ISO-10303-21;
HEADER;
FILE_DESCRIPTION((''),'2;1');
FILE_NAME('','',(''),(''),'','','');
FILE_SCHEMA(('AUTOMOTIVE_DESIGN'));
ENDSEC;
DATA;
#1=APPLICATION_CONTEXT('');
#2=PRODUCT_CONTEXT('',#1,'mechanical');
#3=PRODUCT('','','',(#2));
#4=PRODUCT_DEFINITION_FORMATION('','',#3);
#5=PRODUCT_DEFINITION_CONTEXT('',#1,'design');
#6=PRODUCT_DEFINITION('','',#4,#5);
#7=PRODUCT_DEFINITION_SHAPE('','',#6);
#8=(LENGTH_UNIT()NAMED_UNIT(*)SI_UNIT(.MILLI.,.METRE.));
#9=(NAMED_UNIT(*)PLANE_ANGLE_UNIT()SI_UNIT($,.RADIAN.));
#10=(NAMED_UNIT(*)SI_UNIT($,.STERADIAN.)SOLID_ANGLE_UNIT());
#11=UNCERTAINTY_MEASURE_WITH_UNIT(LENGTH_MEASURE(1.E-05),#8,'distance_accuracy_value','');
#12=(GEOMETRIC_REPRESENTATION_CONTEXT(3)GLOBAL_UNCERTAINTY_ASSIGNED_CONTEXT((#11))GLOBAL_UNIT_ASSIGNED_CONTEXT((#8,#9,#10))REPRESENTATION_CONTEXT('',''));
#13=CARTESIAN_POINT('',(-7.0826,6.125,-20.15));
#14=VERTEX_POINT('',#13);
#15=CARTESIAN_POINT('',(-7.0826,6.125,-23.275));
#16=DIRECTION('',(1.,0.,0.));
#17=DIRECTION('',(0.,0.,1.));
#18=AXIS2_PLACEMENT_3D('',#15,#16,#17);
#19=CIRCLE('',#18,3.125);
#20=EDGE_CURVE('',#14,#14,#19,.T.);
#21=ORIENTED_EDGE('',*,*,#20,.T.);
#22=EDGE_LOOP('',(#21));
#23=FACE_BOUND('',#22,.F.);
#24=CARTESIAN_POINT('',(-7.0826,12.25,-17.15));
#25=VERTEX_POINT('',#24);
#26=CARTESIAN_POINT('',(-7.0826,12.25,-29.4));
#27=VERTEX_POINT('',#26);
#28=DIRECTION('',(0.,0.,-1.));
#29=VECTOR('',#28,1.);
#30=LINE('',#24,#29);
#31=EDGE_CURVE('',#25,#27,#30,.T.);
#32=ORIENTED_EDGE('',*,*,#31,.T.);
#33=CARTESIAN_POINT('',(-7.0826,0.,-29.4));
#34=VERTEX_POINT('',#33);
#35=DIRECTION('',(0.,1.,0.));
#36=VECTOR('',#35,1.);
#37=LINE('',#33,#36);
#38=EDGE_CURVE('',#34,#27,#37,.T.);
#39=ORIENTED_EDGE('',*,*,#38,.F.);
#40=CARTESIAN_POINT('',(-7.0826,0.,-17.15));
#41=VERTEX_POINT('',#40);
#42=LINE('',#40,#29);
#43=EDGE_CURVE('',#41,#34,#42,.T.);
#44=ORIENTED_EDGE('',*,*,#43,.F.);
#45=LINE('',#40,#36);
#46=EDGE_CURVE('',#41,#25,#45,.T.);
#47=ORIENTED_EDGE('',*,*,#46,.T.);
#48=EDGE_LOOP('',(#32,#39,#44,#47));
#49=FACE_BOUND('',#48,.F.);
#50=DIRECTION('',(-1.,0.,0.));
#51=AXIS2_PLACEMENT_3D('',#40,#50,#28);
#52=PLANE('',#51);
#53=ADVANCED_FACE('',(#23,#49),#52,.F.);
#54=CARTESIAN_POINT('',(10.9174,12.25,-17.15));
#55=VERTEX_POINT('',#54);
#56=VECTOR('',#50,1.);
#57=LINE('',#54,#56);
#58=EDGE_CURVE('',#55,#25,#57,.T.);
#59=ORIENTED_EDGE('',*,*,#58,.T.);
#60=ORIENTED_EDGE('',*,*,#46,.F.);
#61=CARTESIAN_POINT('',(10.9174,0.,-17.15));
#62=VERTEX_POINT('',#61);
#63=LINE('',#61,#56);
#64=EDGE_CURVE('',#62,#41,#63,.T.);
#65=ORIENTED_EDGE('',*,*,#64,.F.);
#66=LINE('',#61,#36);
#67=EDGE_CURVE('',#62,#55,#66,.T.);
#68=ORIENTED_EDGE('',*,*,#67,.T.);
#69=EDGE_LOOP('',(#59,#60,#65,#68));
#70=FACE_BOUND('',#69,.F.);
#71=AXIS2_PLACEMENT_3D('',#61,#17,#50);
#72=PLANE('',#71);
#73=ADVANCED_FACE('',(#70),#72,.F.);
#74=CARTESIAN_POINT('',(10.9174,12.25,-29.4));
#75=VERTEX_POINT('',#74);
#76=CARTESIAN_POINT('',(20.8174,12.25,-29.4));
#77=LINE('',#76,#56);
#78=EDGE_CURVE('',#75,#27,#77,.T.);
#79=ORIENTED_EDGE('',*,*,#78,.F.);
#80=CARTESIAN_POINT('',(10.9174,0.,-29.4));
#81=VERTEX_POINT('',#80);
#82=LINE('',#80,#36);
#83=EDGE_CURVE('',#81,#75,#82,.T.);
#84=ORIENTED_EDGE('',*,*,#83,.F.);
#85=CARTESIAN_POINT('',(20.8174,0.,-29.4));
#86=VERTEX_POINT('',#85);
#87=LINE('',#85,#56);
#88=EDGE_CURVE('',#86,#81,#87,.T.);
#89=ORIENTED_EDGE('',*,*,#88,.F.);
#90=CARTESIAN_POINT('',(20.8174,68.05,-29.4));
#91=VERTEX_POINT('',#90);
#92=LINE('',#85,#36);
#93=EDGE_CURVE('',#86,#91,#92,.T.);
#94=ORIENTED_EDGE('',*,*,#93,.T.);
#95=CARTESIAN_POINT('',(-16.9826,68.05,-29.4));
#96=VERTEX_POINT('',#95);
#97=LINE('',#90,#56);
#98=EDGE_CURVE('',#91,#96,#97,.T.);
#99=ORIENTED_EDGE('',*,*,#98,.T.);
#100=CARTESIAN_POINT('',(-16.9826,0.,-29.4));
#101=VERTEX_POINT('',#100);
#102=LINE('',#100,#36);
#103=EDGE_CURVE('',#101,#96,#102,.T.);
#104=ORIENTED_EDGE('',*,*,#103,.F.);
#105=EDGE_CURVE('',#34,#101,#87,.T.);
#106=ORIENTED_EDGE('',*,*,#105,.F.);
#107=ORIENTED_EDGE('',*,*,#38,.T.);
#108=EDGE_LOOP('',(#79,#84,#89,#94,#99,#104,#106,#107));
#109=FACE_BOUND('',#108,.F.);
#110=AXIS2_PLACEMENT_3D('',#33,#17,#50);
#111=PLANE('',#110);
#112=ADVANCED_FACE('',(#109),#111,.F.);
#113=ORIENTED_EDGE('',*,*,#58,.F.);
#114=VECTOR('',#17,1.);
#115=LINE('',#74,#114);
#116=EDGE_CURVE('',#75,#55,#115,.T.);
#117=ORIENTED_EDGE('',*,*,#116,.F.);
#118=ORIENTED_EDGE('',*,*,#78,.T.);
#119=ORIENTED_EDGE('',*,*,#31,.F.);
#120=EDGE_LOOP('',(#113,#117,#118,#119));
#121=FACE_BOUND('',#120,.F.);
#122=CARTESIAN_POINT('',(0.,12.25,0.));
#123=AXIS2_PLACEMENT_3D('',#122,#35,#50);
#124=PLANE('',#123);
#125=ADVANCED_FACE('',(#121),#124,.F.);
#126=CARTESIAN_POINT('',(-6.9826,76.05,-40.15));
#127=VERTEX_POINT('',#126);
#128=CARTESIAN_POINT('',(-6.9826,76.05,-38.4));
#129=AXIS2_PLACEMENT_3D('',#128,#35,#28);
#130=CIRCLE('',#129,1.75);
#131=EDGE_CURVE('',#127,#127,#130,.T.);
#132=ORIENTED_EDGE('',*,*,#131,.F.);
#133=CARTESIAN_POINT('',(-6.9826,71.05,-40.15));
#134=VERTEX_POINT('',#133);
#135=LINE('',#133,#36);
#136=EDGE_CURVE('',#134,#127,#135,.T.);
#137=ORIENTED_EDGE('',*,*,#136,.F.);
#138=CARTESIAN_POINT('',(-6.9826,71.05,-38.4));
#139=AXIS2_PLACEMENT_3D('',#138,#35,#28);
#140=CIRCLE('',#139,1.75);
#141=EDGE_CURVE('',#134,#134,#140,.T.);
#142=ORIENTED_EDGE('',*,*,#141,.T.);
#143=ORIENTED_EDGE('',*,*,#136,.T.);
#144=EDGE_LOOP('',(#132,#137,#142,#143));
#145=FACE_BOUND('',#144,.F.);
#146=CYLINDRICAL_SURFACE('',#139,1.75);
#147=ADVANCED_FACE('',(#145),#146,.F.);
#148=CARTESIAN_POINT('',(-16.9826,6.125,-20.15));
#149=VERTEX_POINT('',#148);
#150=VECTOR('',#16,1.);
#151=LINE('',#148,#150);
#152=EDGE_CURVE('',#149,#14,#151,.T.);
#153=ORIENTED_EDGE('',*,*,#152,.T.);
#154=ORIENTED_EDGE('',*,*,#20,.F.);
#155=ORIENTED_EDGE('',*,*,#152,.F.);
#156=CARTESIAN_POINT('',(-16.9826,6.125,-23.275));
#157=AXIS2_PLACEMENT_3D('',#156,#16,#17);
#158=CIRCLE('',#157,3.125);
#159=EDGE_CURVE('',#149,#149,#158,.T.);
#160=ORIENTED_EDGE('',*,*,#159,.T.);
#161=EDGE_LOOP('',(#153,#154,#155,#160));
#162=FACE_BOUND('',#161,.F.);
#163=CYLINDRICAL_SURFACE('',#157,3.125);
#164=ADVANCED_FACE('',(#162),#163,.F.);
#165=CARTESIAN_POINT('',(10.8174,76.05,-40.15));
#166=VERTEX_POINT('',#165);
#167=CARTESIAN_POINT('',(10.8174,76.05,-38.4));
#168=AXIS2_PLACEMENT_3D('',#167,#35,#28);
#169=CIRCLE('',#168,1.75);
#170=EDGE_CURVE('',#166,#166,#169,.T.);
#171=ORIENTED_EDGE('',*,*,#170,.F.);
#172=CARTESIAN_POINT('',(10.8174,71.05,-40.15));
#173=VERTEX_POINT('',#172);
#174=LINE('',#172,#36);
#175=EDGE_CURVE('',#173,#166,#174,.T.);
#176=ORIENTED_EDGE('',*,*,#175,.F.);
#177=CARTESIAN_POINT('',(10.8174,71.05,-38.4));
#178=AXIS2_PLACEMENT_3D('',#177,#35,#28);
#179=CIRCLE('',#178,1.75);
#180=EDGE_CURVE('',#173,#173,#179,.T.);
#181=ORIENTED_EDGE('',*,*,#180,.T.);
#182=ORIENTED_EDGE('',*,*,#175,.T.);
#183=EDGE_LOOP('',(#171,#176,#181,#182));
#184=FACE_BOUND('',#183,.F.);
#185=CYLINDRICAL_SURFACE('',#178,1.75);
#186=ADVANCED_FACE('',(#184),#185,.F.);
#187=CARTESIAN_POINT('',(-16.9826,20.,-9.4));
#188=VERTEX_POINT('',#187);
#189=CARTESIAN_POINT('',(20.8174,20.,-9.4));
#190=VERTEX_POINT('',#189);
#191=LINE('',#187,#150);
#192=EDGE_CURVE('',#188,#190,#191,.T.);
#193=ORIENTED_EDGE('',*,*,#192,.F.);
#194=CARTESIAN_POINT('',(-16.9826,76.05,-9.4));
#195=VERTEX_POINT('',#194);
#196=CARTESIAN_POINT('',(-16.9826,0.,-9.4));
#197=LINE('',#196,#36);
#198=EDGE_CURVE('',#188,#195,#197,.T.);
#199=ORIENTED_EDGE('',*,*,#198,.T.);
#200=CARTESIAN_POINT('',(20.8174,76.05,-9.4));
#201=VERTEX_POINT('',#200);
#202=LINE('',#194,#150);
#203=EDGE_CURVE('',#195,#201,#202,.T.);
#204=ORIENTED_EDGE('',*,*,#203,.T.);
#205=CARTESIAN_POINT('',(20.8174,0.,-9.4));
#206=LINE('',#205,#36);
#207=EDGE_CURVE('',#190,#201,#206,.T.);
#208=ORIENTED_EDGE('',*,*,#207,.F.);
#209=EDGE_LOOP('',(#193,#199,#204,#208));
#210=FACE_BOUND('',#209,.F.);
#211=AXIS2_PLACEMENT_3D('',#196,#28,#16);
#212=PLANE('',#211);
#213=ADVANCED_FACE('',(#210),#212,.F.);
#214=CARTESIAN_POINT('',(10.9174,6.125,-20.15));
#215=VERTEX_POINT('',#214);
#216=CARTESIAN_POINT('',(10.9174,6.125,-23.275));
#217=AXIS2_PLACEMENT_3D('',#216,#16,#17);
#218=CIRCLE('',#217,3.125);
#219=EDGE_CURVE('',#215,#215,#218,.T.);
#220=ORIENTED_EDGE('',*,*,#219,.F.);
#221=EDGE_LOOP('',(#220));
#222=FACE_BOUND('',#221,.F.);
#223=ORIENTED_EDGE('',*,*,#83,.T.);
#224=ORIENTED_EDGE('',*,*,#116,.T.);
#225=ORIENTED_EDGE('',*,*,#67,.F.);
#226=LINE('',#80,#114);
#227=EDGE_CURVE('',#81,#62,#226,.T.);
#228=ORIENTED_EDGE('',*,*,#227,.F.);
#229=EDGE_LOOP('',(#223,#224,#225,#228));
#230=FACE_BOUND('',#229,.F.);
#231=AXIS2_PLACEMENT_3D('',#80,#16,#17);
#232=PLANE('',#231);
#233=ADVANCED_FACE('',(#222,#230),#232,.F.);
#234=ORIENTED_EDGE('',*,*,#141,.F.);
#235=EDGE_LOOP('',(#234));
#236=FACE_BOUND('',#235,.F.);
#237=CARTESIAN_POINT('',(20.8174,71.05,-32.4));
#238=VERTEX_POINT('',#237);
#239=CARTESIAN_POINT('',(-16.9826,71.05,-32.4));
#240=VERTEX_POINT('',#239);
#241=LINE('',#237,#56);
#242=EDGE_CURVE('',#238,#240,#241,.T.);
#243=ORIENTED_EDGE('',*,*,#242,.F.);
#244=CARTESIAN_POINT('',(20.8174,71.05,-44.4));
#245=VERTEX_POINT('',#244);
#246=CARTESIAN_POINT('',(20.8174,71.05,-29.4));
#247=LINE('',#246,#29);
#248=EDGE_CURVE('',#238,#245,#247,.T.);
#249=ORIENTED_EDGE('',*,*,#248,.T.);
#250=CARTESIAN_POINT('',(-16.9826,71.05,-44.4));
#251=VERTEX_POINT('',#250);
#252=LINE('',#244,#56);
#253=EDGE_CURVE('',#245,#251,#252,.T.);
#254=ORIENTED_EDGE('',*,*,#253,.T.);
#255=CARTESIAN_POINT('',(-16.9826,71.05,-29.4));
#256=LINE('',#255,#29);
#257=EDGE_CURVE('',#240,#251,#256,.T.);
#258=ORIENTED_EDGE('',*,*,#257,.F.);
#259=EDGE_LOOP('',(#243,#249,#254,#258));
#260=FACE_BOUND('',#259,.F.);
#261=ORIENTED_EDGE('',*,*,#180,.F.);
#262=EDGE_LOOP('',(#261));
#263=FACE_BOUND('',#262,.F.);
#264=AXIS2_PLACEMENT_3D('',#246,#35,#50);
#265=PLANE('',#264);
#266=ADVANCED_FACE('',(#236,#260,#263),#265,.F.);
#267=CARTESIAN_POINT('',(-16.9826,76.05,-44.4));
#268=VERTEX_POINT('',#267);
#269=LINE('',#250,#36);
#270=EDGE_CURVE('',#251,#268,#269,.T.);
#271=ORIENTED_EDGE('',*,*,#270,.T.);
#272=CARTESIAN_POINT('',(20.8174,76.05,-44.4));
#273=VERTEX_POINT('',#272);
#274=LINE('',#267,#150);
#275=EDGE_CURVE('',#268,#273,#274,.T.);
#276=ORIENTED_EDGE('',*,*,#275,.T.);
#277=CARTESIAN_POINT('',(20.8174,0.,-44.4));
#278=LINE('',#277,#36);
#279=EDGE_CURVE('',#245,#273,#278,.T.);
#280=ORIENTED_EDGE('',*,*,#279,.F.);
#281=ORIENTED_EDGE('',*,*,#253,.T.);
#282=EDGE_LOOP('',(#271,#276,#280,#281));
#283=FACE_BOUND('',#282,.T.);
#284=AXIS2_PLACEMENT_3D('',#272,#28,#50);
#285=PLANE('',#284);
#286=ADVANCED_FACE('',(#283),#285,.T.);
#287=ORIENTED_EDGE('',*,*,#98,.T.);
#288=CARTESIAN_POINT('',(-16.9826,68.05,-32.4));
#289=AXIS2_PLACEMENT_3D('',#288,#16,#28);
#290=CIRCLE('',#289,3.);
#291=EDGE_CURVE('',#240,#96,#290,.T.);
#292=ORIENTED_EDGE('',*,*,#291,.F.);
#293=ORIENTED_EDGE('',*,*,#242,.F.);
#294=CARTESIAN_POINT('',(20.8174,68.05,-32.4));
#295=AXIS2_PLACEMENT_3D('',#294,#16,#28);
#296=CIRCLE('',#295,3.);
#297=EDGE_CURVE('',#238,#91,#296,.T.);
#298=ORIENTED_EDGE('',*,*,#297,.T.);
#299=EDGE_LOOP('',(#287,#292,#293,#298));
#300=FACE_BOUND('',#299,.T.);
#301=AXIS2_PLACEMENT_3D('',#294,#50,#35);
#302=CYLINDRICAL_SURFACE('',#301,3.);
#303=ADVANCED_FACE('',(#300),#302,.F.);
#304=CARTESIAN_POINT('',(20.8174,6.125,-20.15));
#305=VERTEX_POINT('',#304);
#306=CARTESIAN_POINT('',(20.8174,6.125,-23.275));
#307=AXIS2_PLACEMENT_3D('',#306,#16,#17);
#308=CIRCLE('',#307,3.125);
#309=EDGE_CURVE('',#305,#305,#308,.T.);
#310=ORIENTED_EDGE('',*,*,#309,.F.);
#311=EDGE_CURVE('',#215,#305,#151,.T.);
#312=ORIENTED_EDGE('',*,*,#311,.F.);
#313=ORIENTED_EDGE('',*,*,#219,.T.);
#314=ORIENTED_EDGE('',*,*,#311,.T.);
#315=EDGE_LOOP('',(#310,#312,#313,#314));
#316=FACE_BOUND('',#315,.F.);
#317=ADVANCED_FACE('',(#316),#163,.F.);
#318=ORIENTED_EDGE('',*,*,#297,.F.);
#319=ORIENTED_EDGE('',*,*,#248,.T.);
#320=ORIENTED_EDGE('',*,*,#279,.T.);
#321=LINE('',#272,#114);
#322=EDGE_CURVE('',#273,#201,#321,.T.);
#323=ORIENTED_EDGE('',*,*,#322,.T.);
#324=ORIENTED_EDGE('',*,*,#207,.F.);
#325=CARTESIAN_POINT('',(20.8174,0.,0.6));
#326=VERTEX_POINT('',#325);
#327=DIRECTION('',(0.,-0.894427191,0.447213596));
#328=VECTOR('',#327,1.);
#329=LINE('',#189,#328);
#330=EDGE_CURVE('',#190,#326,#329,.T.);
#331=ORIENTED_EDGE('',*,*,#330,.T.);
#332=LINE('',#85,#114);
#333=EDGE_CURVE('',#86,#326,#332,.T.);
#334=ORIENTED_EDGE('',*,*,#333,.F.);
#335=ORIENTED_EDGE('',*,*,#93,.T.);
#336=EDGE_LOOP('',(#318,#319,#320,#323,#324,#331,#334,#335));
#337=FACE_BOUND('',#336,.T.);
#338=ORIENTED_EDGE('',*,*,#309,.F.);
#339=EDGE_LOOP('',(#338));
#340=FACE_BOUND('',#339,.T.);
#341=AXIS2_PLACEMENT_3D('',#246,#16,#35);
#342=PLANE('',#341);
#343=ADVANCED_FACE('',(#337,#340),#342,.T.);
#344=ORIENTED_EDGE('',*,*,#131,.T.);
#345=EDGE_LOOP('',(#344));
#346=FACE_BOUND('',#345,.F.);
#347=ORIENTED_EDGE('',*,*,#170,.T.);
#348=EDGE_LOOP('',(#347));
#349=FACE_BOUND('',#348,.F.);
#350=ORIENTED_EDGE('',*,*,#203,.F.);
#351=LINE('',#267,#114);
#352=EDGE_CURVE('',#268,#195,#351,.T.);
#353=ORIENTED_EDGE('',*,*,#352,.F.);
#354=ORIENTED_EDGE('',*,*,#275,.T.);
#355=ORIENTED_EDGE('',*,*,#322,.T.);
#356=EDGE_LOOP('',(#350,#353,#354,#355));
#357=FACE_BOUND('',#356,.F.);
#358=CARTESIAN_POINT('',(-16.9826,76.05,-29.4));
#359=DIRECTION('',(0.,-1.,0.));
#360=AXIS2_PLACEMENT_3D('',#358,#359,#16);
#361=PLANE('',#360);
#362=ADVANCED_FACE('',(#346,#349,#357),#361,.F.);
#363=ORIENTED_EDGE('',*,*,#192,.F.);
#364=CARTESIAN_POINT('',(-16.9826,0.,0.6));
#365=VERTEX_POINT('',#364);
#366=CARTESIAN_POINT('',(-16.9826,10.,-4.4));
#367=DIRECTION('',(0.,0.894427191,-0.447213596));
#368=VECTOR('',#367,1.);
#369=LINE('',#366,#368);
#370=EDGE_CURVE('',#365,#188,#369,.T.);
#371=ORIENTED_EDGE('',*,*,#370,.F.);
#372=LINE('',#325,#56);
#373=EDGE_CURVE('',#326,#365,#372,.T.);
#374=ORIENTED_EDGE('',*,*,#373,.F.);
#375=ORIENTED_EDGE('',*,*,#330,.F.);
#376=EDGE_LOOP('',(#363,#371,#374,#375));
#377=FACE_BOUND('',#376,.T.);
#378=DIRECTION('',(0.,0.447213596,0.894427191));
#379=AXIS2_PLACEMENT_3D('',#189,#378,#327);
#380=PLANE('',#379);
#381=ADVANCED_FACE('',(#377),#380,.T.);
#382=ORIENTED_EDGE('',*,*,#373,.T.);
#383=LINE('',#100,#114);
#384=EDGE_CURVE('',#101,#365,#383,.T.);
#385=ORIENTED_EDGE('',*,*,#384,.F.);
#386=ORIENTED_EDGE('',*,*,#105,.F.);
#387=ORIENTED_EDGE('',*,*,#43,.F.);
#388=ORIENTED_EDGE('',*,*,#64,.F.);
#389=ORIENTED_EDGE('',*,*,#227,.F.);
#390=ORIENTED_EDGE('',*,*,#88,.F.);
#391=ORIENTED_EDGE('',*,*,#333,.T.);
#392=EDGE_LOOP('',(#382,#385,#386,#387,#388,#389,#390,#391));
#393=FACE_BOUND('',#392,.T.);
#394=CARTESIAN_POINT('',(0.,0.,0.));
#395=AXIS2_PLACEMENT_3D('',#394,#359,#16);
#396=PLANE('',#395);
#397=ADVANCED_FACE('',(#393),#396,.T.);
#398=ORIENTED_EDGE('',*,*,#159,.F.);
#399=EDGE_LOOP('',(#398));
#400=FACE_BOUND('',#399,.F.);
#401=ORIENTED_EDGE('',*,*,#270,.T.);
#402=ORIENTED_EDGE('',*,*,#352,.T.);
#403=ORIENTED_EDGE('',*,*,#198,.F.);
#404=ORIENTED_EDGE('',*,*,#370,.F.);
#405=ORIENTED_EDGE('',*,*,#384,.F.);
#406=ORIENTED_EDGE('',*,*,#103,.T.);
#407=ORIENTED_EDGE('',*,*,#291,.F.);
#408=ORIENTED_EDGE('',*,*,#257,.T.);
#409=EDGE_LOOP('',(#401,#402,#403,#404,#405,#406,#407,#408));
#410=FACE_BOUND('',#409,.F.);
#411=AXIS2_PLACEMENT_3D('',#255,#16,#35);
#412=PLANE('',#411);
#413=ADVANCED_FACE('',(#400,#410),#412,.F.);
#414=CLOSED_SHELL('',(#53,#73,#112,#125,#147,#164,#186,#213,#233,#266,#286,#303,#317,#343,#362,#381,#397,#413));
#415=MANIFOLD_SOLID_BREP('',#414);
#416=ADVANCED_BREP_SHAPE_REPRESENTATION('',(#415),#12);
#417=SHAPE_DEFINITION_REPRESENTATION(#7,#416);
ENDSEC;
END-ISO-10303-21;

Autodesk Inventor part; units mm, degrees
ref_plane "YZ Plane" through (0, 0, 0) normal (1, 0, 0) x (0, 1, 0)
ref_plane "XZ Plane" through (0, 0, 0) normal (0, 1, 0) x (-1, 0, 0)
ref_plane "XY Plane" through (0, 0, 0) normal (0, 0, 1) x (1, 0, 0)
sketch "Sketch1" plane through (0, 0, 0) normal (0, 1, 0) x (-1, 0, 0)
  line L0 (16.9826, -9.4) -> (-20.8174, -9.4)
  line L1 (-20.8174, -9.4) -> (-20.8174, -29.4)
  line L2 (-20.8174, -29.4) -> (16.9826, -29.4)
  line L3 (16.9826, -29.4) -> (16.9826, -9.4)
  line L4 (7.0826, -29.4) -> (-10.9174, -29.4)
  line L5 (-10.9174, -29.4) -> (-10.9174, -17.15)
  line L6 (-10.9174, -17.15) -> (7.0826, -17.15)
  line L7 (7.0826, -17.15) -> (7.0826, -29.4)
  point P0 (0, 0)
  dimension "d0" = 37.8
  dimension "d1" = 20
  dimension "d2" = 9.9
  dimension "d3" = 9.9
  dimension "d4" = 12.25
extrude "Extrusion1" add sketch "Sketch1" along normal blind 76.05
extrude "Extrusion2" cut sketch "Sketch1" along normal blind 12.25 contours L2 L5 L6 L7
sketch "Sketch2" plane through (0, 0, 0) normal (0, -1, 0) x (1, 0, 0)
  line L0 (-16.9826, -29.4) -> (-16.9826, -9.4) projected
  line L1 (-16.9826, -9.4) -> (20.8174, -9.4)
  line L2 (20.8174, -9.4) -> (20.8174, 0.6)
  line L3 (20.8174, 0.6) -> (-16.9826, 0.6)
  line L4 (-16.9826, 0.6) -> (-16.9826, -9.4)
  point P0 (0, 0)
  dimension "d10" = 10
extrude "Extrusion3" add sketch "Sketch2" against normal blind 20
sketch "Sketch4" plane through (20.8174, 0, -29.4) normal (1, 0, 0) x (0, 0, -1)
  line L0 (0, 0) -> (-30, 0) projected
  line L1 (-30, 0) -> (-30, 20) projected
  line L2 (-30, 0) -> (-30, 20)
  line L3 (-30, 20) -> (-20, 20)
  line L4 (-30, 0) -> (-30, 20)
  line L5 (-20, 20) -> (-30, 0)
  point P0 (-29.4, 0)
  dimension "d14" = 10
extrude "Extrusion4" cut sketch "Sketch4" against normal blind 50
sketch "Sketch5" plane through (20.8174, 76.05, -29.4) normal (0, 0, -1) x (-1, 0, 0)
  line L0 (0, -76.05) -> (0, 0) projected
  line L1 (37.8, 0) -> (0, 0)
  line L2 (0, 0) -> (0, -5)
  line L3 (0, -5) -> (37.8, -5)
  line L4 (37.8, -5) -> (37.8, 0)
  point P0 (20.8174, -76.05)
  dimension "d17" = 5
extrude "Extrusion5" add sketch "Sketch5" along normal blind 15
fillet "Fillet2" radius 3 1 edges at (1.9174, 71.05, -29.4)
sketch "Sketch6" plane through (-16.9826, 0, -29.4) normal (-1, 0, 0) x (0, 0, 1)
  circle A0 centre (6.125, 6.125) radius 3.125
  line L0 (0, 0) -> (30, 0) projected
  line L1 (0, 0) -> (0, 68.05) projected
  point P0 (29.4, 0)
  dimension "d21" = 6.25
  dimension "d22" = 6.125
  dimension "d23" = 6.125
hole "Hole1" at (-16.9826, 6.125, -23.275) direction (1, 0, 0) diameter 6.25 end through all
sketch "Sketch7" plane through (-16.9826, 71.05, -44.4) normal (0, -1, 0) x (1, 0, 0)
  circle A0 centre (10, 6) radius 2.75
  circle A1 centre (27.8, 6) radius 2.75
  line L0 (0, 12) -> (0, 0) projected
  line L1 (37.8, 12) -> (37.8, 0) projected
  line L2 (37.8, 0) -> (0, 0) projected
  line L3 (0, 12) -> (37.8, 12) projected
  point P0 (16.9826, 44.4)
  point P1 (37.8, 6)
  dimension "d32" = 5.5
  dimension "d33" = 5.5
  dimension "d34" = 10
  dimension "d35" = 10
  dimension "d36" = 6
  dimension "d37" = 6
  dimension "d38" = 6
hole "Hole2" at (-6.9826, 71.05, -38.4) at (10.8174, 71.05, -38.4) direction (0, 1, 0) diameter 3.5 end through all
properties part number "legsv1"
